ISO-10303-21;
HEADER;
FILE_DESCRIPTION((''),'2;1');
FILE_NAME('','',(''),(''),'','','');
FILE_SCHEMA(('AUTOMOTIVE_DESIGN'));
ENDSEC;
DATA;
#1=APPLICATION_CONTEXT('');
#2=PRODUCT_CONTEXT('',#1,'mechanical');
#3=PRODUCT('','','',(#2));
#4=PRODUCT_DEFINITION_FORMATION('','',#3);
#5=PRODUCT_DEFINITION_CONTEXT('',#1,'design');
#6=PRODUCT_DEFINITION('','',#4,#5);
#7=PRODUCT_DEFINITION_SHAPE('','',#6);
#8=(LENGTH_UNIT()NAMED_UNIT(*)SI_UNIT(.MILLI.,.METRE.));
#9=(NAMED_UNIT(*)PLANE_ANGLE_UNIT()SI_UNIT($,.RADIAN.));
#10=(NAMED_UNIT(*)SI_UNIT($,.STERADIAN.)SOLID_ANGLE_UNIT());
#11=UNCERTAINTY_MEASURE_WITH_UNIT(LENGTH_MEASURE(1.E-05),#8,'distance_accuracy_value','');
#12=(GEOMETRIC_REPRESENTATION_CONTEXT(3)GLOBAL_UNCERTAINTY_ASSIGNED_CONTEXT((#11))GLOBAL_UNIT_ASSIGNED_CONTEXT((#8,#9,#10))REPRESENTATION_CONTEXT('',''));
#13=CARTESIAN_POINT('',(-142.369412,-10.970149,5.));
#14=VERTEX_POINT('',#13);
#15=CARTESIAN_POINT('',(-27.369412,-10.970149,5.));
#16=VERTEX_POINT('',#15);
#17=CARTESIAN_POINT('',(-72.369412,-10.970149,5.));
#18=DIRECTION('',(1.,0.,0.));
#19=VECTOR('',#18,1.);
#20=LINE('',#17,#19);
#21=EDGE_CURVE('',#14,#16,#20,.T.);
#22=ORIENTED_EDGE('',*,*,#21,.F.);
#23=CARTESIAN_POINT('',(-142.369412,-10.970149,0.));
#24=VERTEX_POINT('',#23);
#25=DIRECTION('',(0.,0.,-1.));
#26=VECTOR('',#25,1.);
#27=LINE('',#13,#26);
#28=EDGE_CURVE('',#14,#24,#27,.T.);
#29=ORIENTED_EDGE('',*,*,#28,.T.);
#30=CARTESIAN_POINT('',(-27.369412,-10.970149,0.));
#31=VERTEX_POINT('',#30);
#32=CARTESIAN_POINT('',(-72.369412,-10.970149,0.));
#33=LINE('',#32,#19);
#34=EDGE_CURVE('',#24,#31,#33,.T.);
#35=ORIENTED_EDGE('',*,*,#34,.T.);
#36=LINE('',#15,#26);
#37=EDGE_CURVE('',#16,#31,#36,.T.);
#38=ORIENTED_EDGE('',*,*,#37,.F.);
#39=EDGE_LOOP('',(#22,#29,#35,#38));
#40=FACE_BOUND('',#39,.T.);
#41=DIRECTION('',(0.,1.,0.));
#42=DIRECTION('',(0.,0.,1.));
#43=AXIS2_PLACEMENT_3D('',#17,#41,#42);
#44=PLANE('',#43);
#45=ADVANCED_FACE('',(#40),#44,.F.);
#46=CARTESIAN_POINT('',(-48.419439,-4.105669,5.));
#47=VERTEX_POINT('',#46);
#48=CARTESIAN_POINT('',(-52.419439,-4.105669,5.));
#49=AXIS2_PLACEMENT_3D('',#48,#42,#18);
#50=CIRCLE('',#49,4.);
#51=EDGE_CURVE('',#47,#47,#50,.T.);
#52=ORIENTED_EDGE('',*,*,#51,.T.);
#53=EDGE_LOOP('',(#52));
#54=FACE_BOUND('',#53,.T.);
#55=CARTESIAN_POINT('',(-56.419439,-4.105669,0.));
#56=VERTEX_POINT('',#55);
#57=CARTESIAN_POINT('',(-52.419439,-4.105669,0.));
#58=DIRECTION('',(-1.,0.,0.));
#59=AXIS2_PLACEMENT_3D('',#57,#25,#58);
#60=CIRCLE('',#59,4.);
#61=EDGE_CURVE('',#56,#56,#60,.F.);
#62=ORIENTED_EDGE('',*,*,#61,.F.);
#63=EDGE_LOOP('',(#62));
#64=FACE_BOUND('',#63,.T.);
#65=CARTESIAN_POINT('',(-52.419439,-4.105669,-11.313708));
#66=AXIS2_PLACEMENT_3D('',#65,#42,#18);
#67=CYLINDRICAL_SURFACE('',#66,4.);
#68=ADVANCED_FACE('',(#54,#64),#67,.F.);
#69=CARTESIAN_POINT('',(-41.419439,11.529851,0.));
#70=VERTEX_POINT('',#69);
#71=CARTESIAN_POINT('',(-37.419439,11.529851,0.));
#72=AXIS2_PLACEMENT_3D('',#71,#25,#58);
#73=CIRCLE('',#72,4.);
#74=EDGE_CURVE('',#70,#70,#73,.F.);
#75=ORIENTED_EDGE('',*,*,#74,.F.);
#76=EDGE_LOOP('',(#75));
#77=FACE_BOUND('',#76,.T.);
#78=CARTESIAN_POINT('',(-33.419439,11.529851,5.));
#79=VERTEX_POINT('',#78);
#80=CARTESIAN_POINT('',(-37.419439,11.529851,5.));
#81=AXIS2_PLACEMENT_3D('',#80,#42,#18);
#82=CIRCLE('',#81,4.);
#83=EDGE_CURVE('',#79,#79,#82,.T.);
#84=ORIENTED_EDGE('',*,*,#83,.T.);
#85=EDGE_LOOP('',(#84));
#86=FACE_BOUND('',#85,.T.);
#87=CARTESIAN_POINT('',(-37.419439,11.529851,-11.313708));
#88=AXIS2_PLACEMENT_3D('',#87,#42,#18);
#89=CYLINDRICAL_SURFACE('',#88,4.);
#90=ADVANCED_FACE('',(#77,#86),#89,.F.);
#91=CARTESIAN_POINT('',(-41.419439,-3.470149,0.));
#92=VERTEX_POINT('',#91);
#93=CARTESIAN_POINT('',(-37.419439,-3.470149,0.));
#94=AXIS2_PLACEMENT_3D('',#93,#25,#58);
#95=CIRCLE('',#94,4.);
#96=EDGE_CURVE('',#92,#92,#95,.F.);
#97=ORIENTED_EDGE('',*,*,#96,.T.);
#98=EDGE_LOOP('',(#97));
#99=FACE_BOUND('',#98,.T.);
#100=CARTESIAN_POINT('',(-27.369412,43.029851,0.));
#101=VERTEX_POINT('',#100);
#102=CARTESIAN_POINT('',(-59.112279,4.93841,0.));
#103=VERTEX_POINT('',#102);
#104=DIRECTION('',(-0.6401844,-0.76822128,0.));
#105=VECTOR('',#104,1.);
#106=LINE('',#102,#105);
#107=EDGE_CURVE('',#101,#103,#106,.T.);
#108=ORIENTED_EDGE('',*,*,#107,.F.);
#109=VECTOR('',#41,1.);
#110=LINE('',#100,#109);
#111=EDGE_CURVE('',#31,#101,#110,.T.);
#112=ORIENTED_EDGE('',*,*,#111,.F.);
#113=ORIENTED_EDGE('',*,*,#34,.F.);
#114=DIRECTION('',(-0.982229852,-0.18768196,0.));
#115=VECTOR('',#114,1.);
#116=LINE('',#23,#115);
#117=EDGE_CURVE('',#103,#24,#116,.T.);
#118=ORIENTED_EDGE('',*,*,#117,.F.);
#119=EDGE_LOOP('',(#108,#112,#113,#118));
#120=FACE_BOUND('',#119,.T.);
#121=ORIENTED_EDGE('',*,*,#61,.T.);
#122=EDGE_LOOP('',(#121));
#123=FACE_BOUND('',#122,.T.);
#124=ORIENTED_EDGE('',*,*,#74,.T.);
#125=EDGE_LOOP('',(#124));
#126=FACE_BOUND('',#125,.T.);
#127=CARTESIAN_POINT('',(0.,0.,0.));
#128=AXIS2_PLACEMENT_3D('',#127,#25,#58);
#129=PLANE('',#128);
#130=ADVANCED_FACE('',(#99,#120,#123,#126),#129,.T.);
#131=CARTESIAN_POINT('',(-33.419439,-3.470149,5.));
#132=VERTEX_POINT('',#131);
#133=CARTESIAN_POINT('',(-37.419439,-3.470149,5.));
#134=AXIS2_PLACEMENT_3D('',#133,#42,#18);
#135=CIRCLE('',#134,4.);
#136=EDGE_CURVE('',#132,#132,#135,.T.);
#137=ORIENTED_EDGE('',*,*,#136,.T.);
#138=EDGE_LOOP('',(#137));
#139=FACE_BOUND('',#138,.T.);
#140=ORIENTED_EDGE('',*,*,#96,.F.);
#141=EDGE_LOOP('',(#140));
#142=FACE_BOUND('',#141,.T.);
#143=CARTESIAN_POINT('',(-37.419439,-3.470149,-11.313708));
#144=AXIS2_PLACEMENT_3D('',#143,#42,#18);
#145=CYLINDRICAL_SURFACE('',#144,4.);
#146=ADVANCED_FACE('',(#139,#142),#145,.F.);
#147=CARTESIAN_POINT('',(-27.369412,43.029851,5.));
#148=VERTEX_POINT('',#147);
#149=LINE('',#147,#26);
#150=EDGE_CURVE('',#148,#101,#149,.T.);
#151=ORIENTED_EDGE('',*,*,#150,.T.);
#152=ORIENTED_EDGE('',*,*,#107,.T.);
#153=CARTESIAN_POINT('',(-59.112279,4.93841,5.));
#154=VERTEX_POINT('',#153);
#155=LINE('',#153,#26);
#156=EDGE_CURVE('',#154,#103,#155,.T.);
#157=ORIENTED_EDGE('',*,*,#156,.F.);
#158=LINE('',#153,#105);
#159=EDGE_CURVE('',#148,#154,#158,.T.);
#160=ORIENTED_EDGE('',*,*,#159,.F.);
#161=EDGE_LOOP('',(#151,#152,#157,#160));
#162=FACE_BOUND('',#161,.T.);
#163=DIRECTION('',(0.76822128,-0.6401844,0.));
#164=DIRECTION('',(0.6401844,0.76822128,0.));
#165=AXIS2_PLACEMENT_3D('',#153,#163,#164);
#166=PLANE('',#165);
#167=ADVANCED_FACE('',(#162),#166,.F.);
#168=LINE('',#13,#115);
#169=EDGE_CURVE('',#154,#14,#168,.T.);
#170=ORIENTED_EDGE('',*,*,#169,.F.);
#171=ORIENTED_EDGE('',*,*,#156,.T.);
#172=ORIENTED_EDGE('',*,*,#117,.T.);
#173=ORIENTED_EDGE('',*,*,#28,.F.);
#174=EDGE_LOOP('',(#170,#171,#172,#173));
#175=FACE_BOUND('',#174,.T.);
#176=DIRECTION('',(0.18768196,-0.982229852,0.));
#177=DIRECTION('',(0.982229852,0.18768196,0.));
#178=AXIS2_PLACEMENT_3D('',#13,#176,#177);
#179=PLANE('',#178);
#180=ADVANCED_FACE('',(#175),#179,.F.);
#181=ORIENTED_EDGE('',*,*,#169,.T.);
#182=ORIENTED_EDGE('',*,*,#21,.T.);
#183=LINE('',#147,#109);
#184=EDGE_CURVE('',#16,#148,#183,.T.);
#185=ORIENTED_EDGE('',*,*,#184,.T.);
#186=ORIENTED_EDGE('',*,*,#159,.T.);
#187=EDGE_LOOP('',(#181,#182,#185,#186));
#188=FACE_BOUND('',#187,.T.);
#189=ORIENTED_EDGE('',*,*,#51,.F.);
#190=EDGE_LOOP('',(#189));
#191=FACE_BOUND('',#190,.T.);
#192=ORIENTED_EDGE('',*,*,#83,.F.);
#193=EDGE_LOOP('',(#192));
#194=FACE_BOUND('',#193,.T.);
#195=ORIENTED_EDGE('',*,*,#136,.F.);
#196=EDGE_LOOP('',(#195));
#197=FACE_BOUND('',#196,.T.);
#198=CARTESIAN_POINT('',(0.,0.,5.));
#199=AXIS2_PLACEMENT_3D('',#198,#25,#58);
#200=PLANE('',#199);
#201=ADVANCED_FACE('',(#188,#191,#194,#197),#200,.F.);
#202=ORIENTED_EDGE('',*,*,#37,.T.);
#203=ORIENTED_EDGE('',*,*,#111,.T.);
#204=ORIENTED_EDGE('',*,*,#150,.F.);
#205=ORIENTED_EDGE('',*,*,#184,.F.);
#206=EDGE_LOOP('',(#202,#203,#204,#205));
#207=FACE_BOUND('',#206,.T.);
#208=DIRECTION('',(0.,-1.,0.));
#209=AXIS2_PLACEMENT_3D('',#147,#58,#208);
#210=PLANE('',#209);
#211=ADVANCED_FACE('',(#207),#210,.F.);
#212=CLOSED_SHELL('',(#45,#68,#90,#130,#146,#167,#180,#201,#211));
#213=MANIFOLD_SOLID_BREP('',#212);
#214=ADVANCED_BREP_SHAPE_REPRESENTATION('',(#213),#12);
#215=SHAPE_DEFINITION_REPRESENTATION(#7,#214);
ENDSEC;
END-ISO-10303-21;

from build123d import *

# Parameters (mm, degrees)
BOSS_EXTRUDE1_DEPTH = 5
SKETCH2_R           = 4
CUT_EXTRUDE1_DEPTH  = 5


with BuildPart() as part:
    # Sketch1 → Boss-Extrude1 (new body)
    with BuildSketch(Plane.XY):
        Polygon((-27.36941191, 43.029850731), (-27.36941191, -10.970149254), (-72.36941191, -10.970149254), (-142.36941191, -10.970149254), (-59.112279179, 4.938410019), align=None)
    extrude(amount=BOSS_EXTRUDE1_DEPTH)

    # Sketch2 → Cut-Extrude1 (cut)
    with BuildSketch(Plane.XY.offset(5)):
        with Locations((-37.419438967, -3.470149254)):
            Circle(SKETCH2_R)
        with Locations((-37.419438967, 11.529850746)):
            Circle(SKETCH2_R)
        with Locations((-52.419438967, -4.105668706)):
            Circle(SKETCH2_R)
    extrude(amount=-CUT_EXTRUDE1_DEPTH, mode=Mode.SUBTRACT)


solid = part.part
